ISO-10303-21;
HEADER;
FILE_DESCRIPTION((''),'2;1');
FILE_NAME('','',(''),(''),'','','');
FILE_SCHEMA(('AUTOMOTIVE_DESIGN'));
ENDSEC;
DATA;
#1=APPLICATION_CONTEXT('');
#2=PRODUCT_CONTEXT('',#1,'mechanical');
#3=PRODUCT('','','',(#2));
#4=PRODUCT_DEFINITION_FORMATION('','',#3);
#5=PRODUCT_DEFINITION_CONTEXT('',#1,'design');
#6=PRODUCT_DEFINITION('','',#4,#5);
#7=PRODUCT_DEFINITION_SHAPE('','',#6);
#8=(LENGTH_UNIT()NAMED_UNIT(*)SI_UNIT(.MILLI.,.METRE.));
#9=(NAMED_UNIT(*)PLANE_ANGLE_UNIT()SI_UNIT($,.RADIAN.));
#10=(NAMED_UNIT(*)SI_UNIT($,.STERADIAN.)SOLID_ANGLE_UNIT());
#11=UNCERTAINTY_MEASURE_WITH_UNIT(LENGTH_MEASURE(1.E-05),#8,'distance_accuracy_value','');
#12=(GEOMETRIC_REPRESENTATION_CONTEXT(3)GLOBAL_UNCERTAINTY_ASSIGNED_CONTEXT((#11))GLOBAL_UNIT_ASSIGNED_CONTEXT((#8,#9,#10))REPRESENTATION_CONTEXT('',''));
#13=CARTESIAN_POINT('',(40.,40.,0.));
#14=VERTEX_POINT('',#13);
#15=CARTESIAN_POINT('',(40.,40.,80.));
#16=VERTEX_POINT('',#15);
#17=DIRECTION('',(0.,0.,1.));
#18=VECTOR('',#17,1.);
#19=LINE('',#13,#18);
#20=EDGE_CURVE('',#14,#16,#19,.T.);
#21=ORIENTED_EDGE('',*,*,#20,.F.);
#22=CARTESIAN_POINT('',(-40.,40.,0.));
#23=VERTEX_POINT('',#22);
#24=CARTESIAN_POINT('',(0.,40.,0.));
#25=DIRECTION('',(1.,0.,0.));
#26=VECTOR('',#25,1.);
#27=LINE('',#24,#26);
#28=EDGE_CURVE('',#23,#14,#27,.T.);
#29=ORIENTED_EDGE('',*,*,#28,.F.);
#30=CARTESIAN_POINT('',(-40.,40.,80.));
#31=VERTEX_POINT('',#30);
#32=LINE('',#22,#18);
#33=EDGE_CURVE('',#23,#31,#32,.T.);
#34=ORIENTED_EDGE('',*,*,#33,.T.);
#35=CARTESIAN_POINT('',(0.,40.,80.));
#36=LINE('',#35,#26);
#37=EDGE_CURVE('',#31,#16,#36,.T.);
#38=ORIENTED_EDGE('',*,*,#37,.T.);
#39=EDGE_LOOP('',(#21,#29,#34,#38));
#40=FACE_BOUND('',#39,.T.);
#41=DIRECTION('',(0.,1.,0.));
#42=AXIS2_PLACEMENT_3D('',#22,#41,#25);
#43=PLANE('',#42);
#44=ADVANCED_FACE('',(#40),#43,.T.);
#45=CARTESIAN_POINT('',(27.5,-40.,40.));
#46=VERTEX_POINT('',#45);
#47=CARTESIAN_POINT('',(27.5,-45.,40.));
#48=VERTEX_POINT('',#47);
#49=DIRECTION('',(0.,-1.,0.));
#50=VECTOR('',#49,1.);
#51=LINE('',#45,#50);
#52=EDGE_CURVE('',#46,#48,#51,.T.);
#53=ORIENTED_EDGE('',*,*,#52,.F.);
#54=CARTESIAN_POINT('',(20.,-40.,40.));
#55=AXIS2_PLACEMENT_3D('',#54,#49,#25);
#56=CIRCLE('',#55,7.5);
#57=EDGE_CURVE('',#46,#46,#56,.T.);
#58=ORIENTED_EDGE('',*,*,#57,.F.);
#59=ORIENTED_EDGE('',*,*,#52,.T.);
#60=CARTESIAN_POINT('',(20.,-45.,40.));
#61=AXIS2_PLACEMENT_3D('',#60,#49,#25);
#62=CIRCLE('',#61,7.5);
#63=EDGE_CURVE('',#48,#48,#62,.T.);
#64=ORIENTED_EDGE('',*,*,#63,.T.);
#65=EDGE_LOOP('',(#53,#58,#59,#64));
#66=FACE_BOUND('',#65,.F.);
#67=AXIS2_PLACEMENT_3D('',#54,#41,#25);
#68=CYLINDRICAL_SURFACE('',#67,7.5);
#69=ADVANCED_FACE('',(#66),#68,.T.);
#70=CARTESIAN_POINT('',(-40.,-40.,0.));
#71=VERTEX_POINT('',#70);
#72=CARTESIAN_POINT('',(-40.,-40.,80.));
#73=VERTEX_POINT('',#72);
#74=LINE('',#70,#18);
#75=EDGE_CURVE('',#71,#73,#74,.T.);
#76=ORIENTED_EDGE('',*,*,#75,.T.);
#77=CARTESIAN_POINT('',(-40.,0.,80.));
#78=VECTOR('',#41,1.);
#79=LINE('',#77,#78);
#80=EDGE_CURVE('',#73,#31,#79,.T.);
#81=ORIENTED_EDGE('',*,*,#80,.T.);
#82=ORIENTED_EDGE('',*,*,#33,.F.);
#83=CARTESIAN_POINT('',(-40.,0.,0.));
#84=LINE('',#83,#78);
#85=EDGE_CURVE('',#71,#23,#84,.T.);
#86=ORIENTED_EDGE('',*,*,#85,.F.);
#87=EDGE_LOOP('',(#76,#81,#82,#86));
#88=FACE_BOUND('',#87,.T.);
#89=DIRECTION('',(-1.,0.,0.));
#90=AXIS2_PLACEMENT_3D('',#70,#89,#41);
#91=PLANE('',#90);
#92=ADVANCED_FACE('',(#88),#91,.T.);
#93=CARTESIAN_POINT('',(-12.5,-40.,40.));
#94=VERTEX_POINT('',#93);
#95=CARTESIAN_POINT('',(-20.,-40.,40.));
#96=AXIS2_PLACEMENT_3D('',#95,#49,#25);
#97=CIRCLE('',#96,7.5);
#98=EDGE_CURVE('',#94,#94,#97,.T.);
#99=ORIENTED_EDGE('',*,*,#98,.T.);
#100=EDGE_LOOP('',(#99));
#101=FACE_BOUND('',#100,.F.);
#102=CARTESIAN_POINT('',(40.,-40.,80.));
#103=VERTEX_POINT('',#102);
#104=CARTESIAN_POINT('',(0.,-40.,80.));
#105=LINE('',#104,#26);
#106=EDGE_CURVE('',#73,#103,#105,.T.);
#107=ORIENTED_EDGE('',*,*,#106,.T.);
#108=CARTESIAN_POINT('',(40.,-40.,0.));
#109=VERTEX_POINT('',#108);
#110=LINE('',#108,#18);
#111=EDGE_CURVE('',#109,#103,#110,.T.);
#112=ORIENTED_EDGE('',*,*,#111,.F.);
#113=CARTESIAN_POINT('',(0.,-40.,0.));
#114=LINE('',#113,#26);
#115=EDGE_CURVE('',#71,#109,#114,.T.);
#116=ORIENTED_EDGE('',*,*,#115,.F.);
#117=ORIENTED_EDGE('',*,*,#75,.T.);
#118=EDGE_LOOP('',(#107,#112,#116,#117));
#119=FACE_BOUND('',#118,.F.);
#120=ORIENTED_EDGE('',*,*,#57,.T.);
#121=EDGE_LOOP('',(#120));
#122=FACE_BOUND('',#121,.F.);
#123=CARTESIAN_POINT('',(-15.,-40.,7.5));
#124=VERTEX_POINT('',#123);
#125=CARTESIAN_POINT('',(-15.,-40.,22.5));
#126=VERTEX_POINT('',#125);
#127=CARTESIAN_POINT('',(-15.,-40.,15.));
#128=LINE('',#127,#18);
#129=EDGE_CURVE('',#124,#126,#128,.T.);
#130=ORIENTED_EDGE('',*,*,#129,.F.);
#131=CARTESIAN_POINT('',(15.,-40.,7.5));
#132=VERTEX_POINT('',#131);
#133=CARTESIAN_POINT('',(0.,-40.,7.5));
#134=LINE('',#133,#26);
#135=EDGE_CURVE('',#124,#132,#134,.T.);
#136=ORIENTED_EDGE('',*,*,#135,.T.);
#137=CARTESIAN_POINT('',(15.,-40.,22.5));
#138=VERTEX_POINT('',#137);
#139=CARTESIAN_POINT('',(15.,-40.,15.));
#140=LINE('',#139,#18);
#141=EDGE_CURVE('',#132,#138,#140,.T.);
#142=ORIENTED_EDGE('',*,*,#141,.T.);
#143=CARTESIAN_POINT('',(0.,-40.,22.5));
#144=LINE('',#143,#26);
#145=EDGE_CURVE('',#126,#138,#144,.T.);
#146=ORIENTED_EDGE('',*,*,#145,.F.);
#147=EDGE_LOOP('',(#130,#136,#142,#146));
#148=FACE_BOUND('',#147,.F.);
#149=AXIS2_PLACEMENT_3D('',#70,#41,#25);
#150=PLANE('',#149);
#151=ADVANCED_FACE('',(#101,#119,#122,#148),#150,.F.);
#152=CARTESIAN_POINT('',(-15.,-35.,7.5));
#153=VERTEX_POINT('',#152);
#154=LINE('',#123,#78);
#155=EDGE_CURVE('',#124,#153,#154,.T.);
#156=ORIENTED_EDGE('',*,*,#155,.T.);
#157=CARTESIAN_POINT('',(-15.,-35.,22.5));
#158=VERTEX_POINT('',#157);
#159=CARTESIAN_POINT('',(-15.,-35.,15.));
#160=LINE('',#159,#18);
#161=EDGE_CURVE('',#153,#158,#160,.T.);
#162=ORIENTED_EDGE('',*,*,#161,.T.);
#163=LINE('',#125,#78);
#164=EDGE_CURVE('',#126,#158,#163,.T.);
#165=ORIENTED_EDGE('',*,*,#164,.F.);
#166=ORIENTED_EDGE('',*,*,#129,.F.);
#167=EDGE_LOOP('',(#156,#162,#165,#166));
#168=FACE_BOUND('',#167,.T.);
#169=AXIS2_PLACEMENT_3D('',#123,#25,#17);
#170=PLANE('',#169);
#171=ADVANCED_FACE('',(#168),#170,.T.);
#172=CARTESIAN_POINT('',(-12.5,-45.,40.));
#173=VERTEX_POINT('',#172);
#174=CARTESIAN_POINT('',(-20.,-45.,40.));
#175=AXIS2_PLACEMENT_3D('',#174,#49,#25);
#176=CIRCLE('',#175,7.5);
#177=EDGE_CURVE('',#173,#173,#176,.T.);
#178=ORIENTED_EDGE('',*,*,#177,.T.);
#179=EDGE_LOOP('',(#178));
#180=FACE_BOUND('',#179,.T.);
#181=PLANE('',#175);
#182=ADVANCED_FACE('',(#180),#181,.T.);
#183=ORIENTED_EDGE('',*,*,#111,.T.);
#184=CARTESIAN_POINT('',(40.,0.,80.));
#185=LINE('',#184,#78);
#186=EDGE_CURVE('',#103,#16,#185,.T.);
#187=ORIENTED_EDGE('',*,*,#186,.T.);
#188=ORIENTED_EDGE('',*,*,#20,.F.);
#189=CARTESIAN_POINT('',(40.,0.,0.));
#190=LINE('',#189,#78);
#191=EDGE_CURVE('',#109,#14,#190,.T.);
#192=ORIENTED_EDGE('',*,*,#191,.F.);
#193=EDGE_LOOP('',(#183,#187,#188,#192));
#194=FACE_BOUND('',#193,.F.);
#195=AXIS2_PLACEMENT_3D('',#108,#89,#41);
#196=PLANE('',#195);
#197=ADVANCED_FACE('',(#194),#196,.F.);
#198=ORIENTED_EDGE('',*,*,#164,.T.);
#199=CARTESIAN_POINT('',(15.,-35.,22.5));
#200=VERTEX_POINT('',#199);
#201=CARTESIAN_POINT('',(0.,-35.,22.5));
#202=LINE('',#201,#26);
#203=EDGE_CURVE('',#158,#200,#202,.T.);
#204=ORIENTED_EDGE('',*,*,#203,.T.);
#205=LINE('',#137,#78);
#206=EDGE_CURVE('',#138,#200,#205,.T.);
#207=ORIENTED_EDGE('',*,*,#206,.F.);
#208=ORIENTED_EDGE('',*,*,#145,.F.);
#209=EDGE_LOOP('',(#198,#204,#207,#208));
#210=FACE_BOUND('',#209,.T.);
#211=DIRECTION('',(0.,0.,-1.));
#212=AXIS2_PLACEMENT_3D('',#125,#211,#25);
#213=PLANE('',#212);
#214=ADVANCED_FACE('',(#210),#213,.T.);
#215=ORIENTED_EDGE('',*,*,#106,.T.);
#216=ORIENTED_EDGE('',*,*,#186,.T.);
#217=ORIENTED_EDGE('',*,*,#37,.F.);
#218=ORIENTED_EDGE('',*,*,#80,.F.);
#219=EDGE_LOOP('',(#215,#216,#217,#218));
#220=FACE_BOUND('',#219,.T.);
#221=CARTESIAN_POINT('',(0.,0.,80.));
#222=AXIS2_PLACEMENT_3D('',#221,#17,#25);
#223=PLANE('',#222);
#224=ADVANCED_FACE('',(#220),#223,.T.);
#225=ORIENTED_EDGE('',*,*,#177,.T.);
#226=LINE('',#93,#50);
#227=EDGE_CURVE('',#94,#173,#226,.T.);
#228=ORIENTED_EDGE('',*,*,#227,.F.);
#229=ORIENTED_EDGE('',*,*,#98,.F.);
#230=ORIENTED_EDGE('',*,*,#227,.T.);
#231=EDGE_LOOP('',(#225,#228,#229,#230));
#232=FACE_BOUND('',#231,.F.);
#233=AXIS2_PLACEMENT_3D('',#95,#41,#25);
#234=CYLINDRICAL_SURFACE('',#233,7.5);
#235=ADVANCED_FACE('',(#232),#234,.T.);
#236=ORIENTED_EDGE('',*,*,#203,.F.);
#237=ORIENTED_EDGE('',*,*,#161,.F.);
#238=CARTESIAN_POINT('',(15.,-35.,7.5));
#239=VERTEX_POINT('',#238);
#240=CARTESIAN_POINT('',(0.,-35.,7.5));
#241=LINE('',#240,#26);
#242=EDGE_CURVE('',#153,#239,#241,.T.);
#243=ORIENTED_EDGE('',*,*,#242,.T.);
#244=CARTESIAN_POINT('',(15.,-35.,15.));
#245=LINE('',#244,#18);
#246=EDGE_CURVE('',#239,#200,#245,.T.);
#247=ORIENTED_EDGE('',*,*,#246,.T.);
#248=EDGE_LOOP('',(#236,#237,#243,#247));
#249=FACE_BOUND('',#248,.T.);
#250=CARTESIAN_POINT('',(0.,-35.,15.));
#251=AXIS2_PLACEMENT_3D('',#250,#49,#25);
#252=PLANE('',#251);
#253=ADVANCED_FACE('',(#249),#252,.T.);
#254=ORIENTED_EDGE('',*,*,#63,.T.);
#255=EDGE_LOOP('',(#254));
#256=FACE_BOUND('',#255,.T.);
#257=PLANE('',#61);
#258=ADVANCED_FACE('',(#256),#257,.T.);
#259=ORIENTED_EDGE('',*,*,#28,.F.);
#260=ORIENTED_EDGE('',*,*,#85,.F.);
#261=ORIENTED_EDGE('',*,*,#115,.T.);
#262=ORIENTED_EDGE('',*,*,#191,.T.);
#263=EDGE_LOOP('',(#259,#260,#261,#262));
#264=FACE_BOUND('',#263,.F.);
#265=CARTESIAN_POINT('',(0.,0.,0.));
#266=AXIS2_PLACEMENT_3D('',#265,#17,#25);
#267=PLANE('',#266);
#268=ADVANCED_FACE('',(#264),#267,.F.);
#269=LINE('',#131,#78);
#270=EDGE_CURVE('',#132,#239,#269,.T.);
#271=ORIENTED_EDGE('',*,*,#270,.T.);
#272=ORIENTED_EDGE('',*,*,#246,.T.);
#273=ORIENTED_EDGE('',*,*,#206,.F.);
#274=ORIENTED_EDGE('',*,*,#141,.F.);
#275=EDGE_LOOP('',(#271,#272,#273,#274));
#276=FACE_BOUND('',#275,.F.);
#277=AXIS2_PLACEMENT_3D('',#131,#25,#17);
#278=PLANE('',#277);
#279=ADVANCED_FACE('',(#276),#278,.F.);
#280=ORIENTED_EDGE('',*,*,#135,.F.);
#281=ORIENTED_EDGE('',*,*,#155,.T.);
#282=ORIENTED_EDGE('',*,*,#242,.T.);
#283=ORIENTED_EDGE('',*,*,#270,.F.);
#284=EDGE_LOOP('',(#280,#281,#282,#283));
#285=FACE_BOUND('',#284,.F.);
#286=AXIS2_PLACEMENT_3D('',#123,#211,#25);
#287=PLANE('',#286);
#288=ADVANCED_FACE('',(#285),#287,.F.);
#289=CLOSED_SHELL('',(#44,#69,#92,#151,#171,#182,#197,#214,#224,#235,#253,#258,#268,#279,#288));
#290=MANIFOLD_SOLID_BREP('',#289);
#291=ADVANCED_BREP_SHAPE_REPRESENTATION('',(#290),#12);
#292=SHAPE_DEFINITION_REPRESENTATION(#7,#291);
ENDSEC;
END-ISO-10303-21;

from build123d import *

# Parameters (mm, degrees)
F0_W     = 80
F0_H     = 80
F1_DEPTH = 80
F2_R     = 7.5
F3_DEPTH = 5
F4_W     = 30
F4_H     = 15
F5_DEPTH = 5


with BuildPart() as f1:
    # F0 (on Top) → F1 (new body)
    with BuildSketch(Plane.XY):
        Rectangle(F0_W, F0_H)
    extrude(amount=F1_DEPTH)

    # F2 (on face) → F3 (join)
    with BuildSketch(Plane.XZ.offset(40)):
        with Locations((-20, 40)):
            Circle(F2_R)
        with Locations((20, 40)):
            Circle(F2_R)
    extrude(amount=F3_DEPTH)

    # F4 (on face) → F5 (cut)
    with BuildSketch(Plane.XZ.offset(40)):
        with Locations((0, 15)):
            Rectangle(F4_W, F4_H)
    extrude(amount=-F5_DEPTH, mode=Mode.SUBTRACT)


solid = f1.part
